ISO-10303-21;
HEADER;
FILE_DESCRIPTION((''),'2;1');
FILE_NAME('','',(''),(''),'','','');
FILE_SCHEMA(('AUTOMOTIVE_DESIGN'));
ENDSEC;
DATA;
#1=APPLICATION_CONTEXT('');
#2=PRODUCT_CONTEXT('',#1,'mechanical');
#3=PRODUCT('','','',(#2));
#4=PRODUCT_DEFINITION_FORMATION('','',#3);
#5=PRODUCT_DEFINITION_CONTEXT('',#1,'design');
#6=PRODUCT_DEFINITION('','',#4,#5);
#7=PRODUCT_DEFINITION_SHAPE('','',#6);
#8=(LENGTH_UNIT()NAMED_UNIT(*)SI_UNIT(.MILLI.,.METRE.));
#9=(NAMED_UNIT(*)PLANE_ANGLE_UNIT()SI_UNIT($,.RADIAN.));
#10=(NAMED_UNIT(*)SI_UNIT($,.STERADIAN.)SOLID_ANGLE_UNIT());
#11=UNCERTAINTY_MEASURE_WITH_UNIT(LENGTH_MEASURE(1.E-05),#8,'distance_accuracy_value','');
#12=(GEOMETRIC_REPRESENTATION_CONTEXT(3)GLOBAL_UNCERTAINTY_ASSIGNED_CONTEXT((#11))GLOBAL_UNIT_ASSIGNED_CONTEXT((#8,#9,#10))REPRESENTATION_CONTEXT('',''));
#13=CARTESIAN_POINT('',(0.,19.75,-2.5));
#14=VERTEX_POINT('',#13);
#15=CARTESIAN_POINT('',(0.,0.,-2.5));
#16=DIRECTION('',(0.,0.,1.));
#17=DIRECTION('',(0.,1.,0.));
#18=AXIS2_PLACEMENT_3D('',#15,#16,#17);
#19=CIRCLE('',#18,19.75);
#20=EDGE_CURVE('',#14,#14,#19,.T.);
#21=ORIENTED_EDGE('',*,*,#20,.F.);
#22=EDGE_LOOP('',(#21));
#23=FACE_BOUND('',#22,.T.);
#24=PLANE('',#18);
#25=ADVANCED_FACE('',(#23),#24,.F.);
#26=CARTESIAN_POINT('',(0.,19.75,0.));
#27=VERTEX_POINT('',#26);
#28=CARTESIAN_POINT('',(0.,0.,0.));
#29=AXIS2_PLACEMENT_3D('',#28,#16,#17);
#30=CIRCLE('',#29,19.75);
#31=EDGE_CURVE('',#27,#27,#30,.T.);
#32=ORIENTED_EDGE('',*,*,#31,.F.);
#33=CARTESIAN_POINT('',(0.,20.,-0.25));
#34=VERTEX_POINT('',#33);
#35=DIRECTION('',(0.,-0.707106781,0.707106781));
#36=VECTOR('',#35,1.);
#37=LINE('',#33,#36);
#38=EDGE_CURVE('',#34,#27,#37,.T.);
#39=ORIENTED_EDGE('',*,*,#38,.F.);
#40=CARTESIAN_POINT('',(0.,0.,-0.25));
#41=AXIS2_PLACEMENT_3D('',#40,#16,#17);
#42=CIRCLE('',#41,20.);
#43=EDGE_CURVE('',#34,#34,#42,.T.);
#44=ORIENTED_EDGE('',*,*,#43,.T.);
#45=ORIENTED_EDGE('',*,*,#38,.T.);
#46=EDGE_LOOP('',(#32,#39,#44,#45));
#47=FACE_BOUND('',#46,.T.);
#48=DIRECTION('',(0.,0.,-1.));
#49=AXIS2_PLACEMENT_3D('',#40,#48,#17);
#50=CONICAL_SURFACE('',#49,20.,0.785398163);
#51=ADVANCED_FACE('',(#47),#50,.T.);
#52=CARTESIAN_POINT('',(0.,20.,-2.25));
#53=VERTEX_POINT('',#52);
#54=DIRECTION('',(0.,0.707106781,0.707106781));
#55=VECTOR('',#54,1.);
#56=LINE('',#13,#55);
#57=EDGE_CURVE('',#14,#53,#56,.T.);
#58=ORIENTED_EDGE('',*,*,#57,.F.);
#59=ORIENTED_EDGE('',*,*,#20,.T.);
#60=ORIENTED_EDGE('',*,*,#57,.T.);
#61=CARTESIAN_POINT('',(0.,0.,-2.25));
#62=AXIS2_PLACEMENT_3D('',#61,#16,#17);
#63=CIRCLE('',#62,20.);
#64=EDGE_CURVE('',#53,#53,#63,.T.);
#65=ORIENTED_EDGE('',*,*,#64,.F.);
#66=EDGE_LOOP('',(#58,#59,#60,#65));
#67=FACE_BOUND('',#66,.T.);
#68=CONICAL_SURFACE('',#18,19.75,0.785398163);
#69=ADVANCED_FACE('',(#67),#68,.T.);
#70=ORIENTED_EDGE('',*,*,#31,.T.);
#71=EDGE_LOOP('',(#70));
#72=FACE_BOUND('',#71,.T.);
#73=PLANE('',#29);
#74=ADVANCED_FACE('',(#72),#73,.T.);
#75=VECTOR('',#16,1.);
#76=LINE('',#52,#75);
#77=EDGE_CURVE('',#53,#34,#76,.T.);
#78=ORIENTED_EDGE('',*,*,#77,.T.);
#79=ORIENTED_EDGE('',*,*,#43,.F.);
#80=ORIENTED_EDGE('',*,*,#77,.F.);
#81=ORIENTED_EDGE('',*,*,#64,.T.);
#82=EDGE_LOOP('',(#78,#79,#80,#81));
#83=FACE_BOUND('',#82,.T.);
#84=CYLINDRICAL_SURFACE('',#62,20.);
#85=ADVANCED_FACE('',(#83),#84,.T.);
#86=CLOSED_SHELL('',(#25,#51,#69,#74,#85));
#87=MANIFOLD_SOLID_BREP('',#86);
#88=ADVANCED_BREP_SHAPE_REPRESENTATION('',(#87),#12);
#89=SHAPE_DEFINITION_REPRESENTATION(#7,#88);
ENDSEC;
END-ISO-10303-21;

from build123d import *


with BuildPart() as part:
    # Sketch (on DatumPlane) → Revolution (revolve)
    with BuildSketch(Plane.YZ):
        Polygon((0, 0), (0, -2.5), (19.75, -2.5), (20, -2.25), (20, -0.25), (19.75, 0), align=None)
    revolve(axis=Axis((0, 0, 0), (0, 0, 1)))


solid = part.part
